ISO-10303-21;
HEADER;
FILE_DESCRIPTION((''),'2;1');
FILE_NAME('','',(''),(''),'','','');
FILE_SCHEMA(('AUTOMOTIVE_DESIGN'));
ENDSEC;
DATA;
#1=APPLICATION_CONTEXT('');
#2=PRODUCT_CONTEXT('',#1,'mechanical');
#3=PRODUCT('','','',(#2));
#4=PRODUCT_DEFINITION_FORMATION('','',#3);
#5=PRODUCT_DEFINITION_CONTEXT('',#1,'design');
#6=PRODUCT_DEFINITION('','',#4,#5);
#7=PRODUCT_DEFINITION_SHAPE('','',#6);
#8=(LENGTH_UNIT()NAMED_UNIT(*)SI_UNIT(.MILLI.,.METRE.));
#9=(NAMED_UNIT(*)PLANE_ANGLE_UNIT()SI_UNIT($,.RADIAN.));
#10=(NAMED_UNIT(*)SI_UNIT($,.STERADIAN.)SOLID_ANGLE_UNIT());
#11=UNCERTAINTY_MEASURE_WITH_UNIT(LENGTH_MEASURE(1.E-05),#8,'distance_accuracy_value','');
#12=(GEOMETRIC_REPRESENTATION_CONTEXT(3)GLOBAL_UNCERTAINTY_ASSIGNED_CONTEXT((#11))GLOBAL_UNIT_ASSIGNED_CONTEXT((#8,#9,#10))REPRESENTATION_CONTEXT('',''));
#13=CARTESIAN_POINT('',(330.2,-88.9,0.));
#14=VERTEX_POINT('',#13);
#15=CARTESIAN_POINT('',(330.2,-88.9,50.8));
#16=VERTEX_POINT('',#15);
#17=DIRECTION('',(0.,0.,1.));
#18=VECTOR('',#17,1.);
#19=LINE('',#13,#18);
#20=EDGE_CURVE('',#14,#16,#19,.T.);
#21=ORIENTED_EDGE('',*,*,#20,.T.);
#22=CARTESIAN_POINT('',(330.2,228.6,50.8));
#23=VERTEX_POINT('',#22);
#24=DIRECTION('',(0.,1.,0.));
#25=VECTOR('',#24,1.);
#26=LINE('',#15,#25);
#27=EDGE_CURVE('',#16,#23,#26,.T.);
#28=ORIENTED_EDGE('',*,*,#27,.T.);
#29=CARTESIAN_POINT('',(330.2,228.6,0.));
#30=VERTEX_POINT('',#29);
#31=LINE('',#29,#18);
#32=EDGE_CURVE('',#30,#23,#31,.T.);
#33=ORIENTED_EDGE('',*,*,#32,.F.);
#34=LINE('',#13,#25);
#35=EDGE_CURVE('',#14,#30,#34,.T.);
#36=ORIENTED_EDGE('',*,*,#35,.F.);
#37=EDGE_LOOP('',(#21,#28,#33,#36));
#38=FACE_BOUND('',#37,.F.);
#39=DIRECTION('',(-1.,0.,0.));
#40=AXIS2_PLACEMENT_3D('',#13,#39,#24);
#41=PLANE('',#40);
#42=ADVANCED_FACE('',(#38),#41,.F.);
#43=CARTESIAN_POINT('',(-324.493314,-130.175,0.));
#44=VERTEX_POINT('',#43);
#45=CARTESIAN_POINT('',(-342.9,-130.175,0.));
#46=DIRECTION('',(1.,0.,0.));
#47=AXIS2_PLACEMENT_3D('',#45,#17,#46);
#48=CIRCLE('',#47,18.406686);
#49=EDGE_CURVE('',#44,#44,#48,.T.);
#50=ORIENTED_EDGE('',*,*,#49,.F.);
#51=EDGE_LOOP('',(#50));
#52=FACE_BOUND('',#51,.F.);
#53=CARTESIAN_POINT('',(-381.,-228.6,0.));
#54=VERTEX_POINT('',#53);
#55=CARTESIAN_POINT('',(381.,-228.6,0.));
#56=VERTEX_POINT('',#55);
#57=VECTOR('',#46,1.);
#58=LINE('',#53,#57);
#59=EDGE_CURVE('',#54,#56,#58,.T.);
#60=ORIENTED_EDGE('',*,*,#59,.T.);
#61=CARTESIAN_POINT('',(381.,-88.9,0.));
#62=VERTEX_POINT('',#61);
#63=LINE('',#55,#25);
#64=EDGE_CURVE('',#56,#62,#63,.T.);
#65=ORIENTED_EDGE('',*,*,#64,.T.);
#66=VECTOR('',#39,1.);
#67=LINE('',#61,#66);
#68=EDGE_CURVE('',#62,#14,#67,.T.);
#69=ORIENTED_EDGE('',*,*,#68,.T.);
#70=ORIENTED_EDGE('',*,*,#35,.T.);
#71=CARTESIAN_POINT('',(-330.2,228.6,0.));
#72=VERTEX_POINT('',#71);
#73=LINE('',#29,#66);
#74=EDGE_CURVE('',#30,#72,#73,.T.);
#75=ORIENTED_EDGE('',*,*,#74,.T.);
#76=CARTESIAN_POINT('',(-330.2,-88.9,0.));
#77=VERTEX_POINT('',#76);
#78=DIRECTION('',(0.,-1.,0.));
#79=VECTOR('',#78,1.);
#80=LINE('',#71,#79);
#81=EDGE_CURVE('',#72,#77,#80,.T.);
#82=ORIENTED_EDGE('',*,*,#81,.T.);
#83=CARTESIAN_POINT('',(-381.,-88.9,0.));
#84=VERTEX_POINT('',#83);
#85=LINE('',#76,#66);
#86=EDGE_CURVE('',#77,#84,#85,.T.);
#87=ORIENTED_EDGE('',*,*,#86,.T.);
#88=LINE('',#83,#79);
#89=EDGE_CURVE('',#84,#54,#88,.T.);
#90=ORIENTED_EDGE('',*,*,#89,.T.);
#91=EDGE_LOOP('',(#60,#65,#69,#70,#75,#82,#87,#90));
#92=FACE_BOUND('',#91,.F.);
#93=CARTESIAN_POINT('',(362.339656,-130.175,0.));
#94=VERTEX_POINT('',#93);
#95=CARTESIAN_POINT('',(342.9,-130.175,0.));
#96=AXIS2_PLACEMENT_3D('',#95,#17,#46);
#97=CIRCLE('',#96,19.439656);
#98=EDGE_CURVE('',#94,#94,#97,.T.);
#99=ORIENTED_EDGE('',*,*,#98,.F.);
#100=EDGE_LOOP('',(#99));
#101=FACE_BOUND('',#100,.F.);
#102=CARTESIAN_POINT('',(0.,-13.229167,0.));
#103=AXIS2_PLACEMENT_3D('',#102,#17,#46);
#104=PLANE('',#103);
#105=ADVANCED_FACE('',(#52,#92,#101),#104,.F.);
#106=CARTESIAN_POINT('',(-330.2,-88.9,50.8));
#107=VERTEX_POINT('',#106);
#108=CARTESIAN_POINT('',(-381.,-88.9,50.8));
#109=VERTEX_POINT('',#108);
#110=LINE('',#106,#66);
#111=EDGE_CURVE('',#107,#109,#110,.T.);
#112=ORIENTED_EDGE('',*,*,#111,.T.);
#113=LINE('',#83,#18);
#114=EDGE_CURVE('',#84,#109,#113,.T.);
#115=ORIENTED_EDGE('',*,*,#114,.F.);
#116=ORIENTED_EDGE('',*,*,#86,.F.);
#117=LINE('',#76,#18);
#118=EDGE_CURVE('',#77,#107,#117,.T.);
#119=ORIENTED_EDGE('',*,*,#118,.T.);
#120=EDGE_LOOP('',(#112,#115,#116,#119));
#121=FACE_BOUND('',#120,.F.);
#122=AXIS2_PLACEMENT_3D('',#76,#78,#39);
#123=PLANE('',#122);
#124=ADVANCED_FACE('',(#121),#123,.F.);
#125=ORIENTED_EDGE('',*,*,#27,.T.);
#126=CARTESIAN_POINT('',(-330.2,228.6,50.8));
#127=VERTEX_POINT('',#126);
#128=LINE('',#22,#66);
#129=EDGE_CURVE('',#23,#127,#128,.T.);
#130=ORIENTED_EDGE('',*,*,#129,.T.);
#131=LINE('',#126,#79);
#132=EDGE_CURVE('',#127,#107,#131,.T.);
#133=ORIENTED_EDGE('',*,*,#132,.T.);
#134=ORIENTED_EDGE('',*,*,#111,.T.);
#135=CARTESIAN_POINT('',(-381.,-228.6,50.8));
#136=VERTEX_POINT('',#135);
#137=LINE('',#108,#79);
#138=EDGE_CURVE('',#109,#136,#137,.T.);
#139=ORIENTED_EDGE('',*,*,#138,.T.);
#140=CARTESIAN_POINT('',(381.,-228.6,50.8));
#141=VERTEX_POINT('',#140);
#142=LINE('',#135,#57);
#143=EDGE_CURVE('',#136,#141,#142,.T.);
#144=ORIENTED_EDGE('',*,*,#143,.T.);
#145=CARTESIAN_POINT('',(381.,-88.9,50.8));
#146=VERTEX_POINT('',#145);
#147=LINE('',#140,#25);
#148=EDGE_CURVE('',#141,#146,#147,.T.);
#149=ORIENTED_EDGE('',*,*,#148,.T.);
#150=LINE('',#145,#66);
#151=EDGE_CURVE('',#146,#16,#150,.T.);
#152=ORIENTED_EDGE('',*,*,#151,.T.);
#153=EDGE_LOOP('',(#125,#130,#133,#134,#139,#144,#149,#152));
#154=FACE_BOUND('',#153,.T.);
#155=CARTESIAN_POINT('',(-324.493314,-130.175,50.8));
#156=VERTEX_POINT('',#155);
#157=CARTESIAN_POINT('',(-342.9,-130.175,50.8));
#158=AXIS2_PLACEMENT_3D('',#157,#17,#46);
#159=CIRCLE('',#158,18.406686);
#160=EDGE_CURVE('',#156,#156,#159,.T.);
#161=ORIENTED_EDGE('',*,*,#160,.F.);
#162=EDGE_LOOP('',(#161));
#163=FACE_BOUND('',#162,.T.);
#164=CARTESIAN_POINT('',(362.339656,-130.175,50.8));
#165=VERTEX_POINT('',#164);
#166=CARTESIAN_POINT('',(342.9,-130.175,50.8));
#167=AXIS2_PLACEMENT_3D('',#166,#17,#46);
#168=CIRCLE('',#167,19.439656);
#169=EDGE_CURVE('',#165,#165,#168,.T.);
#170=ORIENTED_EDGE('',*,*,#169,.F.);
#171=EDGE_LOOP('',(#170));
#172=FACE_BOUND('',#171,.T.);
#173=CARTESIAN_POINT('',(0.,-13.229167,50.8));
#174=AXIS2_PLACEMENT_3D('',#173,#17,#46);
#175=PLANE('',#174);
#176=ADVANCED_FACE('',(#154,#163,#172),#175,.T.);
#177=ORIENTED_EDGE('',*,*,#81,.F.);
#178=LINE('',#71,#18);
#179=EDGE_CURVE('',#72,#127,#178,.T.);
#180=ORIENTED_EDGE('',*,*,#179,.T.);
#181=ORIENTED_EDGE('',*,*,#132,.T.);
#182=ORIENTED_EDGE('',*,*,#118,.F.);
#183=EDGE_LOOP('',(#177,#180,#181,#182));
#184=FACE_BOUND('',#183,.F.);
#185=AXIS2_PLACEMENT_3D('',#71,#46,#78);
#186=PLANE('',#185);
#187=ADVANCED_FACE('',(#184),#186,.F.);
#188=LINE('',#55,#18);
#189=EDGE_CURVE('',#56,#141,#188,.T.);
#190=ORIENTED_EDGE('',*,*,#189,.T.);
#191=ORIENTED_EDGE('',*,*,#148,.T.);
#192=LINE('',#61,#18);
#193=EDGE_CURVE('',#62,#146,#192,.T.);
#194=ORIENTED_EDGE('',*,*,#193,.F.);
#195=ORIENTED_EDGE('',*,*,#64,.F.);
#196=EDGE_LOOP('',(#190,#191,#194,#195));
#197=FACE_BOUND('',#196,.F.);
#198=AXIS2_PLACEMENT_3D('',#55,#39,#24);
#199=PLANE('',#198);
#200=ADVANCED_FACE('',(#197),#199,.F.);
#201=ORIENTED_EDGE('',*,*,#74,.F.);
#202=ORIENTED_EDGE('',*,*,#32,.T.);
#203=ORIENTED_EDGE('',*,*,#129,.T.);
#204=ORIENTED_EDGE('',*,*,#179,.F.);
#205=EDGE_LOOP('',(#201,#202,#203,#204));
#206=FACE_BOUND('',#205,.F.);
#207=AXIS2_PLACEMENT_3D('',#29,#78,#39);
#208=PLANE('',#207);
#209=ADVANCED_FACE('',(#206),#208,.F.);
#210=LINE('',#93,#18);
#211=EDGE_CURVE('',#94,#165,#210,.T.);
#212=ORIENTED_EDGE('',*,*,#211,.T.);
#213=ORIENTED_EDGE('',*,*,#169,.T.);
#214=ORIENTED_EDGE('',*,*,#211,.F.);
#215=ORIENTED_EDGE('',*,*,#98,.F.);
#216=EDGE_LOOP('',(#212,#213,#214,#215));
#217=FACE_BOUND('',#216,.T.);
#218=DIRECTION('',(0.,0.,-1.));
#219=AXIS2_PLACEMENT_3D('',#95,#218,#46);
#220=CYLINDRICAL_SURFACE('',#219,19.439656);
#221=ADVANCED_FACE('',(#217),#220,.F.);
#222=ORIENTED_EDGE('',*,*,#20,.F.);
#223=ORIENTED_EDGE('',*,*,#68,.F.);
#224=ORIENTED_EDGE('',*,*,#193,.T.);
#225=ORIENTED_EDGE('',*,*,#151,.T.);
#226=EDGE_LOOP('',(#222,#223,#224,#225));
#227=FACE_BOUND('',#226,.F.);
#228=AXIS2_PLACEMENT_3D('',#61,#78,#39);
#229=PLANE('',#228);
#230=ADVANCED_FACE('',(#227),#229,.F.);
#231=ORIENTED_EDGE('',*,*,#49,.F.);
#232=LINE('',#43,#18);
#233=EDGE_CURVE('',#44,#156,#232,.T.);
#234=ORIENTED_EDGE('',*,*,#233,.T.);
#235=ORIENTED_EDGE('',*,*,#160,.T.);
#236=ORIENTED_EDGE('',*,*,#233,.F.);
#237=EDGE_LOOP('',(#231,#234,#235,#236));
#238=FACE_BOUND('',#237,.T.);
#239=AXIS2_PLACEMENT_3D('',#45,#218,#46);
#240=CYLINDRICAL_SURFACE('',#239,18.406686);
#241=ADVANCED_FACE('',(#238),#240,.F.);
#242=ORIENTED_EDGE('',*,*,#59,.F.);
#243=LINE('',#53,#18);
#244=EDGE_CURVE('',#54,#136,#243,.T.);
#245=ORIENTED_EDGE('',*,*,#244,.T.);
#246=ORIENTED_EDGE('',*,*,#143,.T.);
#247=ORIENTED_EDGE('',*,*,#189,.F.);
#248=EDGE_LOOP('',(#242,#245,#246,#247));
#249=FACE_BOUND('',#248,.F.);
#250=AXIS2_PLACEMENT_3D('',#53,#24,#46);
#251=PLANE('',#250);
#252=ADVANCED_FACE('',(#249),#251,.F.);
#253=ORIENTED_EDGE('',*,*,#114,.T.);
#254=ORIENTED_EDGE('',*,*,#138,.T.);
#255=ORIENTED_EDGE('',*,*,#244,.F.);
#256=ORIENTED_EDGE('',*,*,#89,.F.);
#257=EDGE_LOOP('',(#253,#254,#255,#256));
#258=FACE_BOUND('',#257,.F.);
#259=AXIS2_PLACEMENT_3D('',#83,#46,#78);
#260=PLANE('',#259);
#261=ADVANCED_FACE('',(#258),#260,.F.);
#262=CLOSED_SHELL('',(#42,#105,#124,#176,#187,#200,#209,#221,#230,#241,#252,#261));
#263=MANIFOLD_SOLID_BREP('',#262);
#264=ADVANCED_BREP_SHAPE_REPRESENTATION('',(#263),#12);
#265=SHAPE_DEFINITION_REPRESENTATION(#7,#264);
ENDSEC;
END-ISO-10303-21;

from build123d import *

# Parameters (mm, degrees)
F0_R     = 18.406686
F0_R_2   = 19.439656
F1_DEPTH = 50.8


with BuildPart() as f1:
    # F0 (on Top) → F1 (new body)
    with BuildSketch(Plane.XY):
        Polygon((330.2, -88.9), (330.2, 228.6), (-330.2, 228.6), (-330.2, -88.9), (-381, -88.9), (-381, -228.6), (381, -228.6), (381, -88.9), align=None)
        with Locations((-342.9, -130.175)):
            Circle(F0_R, mode=Mode.SUBTRACT)
        with Locations((342.9, -130.175)):
            Circle(F0_R_2, mode=Mode.SUBTRACT)
    extrude(amount=F1_DEPTH)


solid = f1.part
